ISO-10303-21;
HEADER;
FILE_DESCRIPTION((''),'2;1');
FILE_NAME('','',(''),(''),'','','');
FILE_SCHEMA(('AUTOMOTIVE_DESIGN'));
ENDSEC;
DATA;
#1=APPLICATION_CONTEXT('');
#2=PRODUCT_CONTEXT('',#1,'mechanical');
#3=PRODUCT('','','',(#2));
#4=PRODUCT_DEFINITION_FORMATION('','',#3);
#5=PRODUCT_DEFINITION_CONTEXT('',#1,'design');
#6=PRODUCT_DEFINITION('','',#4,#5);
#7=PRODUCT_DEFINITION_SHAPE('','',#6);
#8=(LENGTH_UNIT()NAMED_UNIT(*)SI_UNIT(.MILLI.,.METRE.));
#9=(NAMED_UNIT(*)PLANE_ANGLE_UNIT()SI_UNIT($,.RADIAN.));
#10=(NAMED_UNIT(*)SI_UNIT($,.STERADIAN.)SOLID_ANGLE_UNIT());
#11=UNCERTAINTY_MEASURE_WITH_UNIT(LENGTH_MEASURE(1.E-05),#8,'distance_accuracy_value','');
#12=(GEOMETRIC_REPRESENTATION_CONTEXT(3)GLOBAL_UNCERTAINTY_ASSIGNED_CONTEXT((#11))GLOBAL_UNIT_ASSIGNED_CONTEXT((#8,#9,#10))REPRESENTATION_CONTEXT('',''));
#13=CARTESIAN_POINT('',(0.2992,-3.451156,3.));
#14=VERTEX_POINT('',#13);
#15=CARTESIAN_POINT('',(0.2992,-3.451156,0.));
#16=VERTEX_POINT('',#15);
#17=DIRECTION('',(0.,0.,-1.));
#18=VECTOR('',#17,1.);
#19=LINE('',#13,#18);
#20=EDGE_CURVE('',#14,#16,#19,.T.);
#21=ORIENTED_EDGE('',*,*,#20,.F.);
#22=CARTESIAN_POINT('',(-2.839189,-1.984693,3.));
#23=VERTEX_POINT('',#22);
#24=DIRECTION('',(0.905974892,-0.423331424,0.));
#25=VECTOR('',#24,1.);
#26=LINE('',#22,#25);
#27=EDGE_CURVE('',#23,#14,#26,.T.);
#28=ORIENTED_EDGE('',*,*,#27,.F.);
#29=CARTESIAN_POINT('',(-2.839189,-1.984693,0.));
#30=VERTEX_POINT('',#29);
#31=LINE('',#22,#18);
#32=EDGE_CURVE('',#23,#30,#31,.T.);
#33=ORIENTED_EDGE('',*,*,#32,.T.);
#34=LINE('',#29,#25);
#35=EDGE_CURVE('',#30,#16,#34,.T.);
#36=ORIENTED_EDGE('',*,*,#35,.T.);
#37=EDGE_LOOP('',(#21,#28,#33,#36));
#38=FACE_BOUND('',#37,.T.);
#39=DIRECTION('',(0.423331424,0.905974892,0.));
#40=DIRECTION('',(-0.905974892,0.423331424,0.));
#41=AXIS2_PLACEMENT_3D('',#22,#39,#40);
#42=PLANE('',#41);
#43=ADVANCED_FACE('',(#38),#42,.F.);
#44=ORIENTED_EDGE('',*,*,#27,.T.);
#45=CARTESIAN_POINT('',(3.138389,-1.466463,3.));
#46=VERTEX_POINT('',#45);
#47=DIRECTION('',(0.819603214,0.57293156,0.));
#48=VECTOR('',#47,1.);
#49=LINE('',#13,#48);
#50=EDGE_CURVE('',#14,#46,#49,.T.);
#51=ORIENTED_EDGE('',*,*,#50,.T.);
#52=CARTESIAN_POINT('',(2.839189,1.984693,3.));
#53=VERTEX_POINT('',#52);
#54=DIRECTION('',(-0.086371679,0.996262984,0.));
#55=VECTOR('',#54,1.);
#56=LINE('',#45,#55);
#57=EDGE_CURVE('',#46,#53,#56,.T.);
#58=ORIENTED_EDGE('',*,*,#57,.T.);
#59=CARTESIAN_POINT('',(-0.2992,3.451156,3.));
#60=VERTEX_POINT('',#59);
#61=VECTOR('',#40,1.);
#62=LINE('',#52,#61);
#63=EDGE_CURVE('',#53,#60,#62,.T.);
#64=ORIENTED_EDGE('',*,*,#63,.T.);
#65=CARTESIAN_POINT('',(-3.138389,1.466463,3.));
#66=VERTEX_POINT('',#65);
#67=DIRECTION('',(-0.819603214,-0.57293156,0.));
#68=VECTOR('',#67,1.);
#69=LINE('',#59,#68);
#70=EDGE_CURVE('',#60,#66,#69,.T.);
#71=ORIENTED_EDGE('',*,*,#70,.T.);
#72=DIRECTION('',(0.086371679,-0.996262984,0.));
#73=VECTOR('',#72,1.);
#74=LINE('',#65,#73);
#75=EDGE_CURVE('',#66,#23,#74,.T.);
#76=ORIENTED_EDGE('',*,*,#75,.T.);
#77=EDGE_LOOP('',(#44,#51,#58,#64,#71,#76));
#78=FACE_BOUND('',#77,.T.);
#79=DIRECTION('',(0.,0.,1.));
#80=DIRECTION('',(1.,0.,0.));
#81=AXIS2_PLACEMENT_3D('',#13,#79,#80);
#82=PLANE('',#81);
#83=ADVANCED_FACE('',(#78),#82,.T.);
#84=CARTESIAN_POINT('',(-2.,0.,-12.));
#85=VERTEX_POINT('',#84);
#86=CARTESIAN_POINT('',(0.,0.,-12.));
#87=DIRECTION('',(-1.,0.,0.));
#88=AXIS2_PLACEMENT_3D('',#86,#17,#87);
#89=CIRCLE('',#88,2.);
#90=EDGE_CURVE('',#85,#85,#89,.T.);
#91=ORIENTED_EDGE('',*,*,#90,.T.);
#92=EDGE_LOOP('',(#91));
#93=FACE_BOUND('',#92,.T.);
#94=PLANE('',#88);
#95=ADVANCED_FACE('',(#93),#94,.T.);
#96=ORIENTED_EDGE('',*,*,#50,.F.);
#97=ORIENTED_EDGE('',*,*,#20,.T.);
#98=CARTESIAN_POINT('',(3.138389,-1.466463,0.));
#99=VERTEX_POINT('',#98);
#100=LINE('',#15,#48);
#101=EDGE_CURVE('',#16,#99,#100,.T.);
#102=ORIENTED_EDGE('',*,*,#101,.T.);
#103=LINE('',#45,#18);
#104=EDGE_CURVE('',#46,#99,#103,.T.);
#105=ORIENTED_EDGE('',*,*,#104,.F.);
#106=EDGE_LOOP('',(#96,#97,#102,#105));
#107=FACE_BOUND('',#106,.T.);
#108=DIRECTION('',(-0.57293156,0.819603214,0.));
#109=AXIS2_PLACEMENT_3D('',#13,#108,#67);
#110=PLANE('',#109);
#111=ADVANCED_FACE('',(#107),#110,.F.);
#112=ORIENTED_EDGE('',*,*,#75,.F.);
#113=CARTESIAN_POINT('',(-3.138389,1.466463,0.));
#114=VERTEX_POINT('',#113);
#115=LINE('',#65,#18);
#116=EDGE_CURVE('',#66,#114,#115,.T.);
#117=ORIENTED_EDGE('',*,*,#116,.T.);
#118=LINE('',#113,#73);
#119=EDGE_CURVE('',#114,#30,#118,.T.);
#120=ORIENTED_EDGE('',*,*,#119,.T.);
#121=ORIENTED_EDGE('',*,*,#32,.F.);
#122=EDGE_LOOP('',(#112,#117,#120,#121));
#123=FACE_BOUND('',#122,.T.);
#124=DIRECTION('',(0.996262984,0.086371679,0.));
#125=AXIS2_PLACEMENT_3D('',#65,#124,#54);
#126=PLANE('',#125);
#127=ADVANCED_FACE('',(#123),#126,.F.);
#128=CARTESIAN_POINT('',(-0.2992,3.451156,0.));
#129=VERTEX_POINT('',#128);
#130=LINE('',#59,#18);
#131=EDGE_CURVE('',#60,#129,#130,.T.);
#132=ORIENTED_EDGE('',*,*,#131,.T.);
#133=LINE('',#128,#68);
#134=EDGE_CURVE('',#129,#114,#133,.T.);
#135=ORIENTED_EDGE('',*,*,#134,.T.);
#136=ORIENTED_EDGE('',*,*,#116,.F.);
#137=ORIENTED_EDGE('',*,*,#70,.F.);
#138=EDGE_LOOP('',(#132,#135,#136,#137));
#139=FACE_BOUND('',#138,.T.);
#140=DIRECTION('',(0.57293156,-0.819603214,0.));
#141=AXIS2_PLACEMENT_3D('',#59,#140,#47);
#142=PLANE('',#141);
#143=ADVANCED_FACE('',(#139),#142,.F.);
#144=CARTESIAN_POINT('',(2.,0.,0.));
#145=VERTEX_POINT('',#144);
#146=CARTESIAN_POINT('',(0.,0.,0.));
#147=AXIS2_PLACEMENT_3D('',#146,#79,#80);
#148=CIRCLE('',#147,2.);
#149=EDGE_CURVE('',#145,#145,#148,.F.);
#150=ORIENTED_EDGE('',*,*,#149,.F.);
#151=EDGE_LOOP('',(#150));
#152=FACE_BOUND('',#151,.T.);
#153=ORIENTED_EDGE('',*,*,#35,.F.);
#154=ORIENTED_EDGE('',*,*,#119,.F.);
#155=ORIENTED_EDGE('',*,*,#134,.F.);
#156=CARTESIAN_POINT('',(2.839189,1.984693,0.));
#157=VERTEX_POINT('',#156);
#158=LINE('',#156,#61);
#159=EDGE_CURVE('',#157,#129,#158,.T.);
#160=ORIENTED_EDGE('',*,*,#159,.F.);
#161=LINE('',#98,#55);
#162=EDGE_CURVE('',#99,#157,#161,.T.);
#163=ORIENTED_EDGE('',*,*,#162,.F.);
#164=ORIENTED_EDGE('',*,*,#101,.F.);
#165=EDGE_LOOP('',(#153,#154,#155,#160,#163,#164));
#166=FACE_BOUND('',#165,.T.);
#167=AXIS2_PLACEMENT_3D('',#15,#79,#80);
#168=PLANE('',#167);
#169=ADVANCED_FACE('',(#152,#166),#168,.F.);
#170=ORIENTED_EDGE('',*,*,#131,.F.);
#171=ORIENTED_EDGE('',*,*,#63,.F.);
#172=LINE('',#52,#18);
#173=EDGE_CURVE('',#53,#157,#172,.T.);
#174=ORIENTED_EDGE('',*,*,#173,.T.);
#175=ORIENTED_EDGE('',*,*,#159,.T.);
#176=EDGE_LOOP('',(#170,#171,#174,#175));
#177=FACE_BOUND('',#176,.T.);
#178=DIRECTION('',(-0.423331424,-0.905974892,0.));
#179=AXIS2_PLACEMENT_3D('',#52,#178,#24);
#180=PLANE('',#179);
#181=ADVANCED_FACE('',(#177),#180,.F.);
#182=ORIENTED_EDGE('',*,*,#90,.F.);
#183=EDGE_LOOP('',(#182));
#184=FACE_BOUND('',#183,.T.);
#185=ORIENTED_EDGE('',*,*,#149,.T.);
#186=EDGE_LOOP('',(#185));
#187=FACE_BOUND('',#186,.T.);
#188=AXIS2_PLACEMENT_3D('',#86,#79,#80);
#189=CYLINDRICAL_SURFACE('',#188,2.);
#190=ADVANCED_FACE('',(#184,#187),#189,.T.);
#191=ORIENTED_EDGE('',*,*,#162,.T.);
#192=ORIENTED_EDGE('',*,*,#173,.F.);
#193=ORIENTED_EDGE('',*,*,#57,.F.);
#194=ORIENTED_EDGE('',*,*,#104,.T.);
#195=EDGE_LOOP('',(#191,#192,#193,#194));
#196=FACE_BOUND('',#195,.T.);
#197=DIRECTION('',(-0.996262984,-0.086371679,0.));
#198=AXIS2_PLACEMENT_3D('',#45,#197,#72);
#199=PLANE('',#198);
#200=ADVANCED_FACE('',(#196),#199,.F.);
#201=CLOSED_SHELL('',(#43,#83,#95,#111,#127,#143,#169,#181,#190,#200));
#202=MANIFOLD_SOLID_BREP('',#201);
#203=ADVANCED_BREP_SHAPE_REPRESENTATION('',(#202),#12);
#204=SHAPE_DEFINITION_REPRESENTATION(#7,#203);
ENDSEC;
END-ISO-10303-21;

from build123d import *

# Parameters (mm, degrees)
EXTRUDE_1_DEPTH = 3
SKETCH_2_R      = 2
EXTRUDE_2_DEPTH = 12


with BuildPart() as part:
    # 草图1 → 凸台-拉伸1 (new body)
    with BuildSketch(Plane.XY):
        Polygon((0.299200272, -3.451156212), (3.138389088, -1.466463069), (2.839188816, 1.984693142), (-0.299200272, 3.451156212), (-3.138389088, 1.466463069), (-2.839188816, -1.984693142), align=None)
    extrude(amount=EXTRUDE_1_DEPTH)

    # 草图2 → 凸台-拉伸2 (add)
    with BuildSketch(Plane(origin=(0, 0, 0), x_dir=(-1, 0, 0), z_dir=(0, 0, -1))):
        Circle(SKETCH_2_R)
    extrude(amount=EXTRUDE_2_DEPTH)


solid = part.part
